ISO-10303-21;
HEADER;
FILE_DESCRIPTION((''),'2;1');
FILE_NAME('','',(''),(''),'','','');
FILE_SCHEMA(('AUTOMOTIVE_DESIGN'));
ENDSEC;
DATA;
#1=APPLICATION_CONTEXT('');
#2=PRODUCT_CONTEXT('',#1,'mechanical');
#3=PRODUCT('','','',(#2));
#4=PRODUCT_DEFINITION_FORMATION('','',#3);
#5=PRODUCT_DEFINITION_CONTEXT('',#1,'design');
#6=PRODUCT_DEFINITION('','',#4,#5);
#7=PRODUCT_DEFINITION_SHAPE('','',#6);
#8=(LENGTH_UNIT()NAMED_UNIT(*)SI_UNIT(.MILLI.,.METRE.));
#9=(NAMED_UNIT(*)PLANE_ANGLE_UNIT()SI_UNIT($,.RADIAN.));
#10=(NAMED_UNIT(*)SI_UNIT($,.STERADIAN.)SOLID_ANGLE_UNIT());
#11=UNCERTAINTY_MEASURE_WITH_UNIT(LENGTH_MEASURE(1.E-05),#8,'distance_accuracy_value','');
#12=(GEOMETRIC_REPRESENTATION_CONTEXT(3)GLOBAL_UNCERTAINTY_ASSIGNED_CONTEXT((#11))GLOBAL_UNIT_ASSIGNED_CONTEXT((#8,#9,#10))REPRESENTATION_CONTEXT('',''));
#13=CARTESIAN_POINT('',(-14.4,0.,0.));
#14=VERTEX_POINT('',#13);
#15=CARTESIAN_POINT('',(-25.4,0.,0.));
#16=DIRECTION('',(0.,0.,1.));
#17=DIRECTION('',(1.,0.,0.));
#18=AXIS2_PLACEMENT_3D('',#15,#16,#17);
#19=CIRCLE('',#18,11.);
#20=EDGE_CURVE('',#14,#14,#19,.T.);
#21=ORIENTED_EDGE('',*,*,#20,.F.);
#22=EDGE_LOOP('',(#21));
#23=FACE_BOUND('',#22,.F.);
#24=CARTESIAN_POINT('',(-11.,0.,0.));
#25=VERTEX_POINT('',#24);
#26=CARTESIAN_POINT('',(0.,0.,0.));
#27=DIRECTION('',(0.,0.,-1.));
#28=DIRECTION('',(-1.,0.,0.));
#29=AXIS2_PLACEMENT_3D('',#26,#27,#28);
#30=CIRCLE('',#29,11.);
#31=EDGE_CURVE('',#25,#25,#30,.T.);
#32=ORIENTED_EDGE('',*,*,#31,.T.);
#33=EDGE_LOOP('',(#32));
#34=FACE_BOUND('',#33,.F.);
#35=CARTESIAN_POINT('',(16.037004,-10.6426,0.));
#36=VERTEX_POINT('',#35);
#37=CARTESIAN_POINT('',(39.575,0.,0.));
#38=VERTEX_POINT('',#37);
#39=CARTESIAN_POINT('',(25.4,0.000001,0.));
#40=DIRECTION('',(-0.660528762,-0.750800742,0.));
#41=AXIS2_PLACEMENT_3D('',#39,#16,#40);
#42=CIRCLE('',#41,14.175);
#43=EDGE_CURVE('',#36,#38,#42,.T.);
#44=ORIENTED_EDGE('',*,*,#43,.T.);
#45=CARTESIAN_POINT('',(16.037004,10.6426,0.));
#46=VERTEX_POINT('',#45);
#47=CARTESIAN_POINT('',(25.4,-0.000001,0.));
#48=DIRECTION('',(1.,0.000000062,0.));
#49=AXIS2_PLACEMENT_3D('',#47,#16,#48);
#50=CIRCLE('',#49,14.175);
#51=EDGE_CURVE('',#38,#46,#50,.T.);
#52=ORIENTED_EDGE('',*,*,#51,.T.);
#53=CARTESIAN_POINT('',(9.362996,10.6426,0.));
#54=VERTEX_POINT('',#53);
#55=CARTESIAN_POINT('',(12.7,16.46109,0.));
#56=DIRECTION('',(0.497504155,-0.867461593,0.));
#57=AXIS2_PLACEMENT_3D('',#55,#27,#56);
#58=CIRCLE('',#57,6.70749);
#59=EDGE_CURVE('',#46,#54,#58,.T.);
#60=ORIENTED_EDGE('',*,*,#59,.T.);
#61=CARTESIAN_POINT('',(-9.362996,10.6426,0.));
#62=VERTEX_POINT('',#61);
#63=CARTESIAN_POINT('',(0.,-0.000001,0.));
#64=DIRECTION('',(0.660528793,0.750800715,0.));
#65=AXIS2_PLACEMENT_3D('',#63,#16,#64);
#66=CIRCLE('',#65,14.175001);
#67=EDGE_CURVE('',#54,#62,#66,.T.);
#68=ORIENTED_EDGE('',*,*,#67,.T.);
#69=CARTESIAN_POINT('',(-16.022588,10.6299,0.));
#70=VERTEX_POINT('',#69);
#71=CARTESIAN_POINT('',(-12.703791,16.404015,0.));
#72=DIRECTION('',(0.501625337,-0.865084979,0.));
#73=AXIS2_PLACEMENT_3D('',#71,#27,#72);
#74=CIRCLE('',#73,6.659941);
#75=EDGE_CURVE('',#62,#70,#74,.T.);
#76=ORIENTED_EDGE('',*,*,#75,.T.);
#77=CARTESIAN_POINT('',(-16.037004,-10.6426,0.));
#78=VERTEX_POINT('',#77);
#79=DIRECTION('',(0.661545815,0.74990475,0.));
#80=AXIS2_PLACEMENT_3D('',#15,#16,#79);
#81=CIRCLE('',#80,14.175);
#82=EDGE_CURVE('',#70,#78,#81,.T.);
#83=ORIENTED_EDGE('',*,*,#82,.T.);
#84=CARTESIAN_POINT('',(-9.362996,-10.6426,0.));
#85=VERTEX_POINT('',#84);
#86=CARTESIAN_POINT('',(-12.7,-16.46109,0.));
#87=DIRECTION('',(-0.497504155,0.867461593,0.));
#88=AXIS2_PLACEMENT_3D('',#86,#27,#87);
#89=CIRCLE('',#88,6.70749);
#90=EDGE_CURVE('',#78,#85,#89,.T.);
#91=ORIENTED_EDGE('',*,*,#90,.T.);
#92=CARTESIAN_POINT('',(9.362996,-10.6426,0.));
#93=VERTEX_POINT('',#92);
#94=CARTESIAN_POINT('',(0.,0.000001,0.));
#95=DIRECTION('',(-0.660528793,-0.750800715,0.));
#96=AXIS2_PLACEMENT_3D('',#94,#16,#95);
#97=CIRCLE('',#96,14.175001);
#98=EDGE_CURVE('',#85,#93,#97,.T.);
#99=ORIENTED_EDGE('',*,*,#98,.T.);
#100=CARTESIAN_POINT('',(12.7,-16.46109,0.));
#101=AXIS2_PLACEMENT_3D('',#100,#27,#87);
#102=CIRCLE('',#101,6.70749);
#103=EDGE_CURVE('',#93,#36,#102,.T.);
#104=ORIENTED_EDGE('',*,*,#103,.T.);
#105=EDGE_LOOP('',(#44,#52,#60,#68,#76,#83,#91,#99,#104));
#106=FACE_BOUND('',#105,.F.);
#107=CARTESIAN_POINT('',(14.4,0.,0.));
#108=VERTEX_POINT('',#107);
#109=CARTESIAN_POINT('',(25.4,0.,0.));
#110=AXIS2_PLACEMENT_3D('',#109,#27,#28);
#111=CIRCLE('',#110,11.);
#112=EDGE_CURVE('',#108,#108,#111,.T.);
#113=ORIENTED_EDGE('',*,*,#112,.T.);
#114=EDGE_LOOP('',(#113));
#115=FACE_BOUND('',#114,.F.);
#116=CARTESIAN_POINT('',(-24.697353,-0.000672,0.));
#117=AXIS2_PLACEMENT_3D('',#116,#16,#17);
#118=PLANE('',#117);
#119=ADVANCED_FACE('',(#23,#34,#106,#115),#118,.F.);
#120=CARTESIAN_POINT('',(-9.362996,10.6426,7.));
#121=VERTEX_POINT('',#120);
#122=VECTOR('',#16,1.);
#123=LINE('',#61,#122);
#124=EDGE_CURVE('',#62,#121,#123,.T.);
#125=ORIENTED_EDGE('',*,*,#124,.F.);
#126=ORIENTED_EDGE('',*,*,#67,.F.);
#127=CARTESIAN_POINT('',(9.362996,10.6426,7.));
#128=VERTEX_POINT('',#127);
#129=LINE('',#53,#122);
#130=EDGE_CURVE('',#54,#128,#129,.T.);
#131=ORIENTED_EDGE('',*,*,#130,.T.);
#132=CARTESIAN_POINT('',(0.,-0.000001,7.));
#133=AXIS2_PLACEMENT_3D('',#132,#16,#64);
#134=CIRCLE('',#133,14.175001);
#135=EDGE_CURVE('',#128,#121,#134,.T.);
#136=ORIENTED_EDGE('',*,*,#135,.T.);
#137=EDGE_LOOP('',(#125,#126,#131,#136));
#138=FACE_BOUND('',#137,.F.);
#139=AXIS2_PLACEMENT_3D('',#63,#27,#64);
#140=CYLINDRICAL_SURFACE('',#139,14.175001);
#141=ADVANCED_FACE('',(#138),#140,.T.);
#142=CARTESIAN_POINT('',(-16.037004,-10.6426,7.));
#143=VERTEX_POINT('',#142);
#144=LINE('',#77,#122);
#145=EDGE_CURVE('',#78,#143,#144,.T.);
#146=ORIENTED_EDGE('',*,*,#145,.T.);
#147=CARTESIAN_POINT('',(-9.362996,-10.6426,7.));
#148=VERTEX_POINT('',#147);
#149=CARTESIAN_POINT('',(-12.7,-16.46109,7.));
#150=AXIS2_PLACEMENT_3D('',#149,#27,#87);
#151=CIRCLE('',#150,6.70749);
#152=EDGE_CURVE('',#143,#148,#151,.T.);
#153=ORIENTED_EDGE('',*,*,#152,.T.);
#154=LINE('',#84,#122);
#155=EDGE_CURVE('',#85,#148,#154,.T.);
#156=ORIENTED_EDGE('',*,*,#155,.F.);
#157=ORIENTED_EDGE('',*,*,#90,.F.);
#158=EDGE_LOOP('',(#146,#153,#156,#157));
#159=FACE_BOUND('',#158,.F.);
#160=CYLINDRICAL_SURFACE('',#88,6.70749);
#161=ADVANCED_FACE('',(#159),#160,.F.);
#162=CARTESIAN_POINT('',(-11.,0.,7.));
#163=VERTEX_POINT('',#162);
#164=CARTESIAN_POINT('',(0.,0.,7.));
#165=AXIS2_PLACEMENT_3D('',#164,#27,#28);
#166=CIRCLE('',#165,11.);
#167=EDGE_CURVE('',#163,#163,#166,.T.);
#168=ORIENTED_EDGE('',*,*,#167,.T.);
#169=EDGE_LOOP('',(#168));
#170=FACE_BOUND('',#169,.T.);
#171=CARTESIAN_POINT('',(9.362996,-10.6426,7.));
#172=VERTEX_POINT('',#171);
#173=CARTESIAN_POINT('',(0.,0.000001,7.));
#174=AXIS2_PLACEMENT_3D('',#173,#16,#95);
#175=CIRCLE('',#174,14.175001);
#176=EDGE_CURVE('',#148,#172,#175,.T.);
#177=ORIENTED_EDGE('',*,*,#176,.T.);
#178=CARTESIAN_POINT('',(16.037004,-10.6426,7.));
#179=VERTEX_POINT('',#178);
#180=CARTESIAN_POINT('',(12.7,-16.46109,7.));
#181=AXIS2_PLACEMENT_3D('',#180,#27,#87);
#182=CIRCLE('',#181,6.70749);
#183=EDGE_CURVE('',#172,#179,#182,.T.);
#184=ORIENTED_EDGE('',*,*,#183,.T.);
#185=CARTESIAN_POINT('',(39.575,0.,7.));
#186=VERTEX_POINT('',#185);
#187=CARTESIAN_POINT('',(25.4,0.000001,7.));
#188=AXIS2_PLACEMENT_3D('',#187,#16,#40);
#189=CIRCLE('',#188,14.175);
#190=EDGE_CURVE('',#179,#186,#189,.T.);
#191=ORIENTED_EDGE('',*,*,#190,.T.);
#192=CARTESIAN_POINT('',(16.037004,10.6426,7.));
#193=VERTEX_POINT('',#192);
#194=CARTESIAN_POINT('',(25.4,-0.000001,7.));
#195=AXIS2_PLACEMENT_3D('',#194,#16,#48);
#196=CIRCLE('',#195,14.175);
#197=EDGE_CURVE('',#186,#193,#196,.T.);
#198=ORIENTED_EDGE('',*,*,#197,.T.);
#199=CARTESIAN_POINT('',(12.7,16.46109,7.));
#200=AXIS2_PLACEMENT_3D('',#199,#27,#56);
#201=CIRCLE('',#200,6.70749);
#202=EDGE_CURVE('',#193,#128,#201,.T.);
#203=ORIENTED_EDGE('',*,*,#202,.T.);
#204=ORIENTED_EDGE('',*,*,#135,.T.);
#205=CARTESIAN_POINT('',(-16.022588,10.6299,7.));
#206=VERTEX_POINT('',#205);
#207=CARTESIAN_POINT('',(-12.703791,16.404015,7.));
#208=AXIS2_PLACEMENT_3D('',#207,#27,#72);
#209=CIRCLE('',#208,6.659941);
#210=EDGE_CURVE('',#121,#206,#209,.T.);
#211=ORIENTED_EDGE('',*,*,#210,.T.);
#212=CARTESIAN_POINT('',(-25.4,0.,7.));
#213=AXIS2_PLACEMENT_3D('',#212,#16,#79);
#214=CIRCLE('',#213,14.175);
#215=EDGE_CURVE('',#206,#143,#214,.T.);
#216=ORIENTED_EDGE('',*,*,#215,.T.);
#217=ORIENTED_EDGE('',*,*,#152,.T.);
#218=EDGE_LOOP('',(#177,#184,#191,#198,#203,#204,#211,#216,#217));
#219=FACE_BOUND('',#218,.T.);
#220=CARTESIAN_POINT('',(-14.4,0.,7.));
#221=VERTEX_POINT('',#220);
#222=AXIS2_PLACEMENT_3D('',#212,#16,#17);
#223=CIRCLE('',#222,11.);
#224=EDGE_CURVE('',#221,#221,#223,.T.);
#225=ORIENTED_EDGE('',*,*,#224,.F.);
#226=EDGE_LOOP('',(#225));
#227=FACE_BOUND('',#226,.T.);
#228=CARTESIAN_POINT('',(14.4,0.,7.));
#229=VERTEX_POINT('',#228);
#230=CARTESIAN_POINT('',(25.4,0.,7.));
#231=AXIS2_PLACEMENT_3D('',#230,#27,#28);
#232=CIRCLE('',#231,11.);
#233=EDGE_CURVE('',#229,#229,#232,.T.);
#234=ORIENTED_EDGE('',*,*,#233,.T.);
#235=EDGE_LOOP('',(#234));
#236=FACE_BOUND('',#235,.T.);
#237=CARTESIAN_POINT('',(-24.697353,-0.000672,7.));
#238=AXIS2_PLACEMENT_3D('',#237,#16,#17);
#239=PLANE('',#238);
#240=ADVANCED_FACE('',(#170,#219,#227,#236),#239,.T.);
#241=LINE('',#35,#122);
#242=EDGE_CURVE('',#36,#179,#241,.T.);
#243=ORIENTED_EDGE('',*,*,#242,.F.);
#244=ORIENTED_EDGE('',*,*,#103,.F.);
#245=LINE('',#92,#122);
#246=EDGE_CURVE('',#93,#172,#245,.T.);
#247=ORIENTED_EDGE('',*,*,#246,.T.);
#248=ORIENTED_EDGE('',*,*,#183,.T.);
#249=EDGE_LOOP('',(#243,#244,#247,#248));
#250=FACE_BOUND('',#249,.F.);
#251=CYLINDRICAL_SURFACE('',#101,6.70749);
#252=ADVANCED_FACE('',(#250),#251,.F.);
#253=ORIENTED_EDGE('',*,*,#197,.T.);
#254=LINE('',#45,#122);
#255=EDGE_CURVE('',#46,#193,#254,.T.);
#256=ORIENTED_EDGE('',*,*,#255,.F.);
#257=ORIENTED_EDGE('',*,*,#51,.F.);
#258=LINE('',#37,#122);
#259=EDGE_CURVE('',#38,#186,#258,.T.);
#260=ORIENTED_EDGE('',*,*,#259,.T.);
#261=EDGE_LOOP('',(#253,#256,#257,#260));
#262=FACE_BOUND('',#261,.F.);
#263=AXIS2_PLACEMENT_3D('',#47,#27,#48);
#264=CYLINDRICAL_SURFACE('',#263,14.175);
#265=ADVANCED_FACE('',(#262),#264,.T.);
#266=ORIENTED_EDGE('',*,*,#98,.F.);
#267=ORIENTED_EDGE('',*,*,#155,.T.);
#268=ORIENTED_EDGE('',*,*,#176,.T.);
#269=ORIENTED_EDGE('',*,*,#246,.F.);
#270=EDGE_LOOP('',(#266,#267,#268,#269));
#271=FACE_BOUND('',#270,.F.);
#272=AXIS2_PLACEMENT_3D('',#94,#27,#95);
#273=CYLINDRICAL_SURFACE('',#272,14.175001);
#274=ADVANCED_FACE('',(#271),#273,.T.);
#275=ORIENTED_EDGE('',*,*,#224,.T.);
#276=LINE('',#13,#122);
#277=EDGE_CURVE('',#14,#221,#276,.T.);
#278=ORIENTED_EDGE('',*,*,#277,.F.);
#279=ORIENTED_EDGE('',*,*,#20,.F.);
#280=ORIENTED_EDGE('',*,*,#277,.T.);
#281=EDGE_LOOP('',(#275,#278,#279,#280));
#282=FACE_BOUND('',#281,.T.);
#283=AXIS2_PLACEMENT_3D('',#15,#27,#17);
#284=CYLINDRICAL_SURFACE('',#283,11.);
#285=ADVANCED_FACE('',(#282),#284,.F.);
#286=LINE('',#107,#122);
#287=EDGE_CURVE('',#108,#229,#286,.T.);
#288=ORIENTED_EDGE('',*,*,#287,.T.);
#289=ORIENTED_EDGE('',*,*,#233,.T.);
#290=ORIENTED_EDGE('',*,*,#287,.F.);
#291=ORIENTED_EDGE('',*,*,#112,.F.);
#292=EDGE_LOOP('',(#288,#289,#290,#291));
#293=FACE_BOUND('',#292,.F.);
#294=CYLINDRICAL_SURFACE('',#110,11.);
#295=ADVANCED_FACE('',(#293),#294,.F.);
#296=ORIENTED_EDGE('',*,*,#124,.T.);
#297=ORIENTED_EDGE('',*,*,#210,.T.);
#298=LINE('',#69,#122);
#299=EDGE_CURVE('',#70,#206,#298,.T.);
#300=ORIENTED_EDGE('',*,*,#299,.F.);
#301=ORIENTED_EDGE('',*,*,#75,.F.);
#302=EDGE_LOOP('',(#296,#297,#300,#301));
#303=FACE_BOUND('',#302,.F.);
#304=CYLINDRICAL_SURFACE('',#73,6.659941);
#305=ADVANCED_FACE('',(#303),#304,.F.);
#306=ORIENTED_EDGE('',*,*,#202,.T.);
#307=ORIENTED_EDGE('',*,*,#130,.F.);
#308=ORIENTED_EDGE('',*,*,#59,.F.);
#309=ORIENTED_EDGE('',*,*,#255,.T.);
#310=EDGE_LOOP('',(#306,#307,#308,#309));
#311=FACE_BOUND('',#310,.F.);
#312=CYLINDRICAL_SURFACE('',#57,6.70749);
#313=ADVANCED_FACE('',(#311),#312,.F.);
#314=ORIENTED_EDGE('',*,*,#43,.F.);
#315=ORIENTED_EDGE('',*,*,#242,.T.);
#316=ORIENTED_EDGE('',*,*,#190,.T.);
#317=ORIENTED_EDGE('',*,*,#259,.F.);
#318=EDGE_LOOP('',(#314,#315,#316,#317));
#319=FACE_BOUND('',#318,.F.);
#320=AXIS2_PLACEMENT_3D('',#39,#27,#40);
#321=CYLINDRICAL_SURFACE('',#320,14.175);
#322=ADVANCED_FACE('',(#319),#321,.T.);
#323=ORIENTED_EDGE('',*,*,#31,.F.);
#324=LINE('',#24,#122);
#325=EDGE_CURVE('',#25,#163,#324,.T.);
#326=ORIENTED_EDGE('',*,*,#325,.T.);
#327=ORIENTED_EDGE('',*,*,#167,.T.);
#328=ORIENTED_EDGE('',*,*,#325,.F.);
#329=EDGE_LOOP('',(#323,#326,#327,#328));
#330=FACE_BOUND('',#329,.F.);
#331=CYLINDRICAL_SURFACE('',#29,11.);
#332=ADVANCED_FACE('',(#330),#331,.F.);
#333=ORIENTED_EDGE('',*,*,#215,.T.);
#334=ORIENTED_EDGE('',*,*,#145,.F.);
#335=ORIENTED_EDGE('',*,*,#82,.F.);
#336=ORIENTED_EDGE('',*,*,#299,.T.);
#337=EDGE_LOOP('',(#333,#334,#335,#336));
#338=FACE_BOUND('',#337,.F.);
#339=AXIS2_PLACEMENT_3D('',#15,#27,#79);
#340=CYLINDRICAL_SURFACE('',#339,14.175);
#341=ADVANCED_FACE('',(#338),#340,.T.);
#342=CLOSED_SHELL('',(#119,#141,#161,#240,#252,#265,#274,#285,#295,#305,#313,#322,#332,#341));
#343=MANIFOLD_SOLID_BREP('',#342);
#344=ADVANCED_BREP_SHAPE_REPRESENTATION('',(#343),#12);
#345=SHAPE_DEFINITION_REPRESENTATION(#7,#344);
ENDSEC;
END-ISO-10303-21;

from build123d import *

# Parameters (mm, degrees)
F0_R     = 11
F1_DEPTH = 7


with BuildPart() as f1:
    # F0 (on Top) → F1 (new body)
    with BuildSketch(Plane.XY):
        with BuildLine():
            ThreePointArc((-12.7, -6.29608), (-13.801325, -3.233274), (-14.175, 0))
            ThreePointArc((-14.175, 0), (-13.801325, 3.233274), (-12.7, 6.29608))
            ThreePointArc((-12.7, 6.29608), (-14.150621, 8.624506), (-16.022588, 10.6299))
            ThreePointArc((-16.022588, 10.6299), (-39.574997, 0.009606), (-16.037004, -10.6426))
            ThreePointArc((-16.037004, -10.6426), (-14.156468, -8.632127), (-12.7, -6.29608))
        make_face()
        with Locations((-25.4, 0)):
            Circle(F0_R, mode=Mode.SUBTRACT)
        with BuildLine():
            Line((11.225, 0), (11, 0))
            ThreePointArc((11, 0), (0, -11), (-11, 0))
            Line((-11, 0), (-11.225, 0))
            ThreePointArc((-11.225, 0), (-11.598675, -3.233274), (-12.7, -6.29608))
            ThreePointArc((-12.7, -6.29608), (-11.243532, -8.632127), (-9.362996, -10.6426))
            ThreePointArc((-9.362996, -10.6426), (0, -14.175), (9.362996, -10.6426))
            ThreePointArc((9.362996, -10.6426), (11.243532, -8.632127), (12.7, -6.29608))
            ThreePointArc((12.7, -6.29608), (11.598675, -3.233274), (11.225, 0))
        make_face()
        with BuildLine():
            ThreePointArc((-16.022588, 10.6299), (-14.150621, 8.624506), (-12.7, 6.29608))
            ThreePointArc((-12.7, 6.29608), (-11.243532, 8.632127), (-9.362996, 10.6426))
            ThreePointArc((-9.362996, 10.6426), (-12.691091, 9.744086), (-16.022588, 10.6299))
        make_face()
        with BuildLine():
            ThreePointArc((-12.7, -6.29608), (-11.598675, -3.233274), (-11.225, 0))
            Line((-11.225, 0), (-14.175, 0))
            ThreePointArc((-14.175, 0), (-13.801325, -3.233274), (-12.7, -6.29608))
        make_face()
        with BuildLine():
            Line((-14.175, 0), (-11.225, 0))
            ThreePointArc((-11.225, 0), (-11.598675, 3.233274), (-12.7, 6.29608))
            ThreePointArc((-12.7, 6.29608), (-13.801325, 3.233274), (-14.175, 0))
        make_face()
        with BuildLine():
            ThreePointArc((-11, 0), (0, 11), (11, 0))
            Line((11, 0), (11.225, 0))
            ThreePointArc((11.225, 0), (11.598675, 3.233274), (12.7, 6.29608))
            ThreePointArc((12.7, 6.29608), (11.243532, 8.632127), (9.362996, 10.6426))
            ThreePointArc((9.362996, 10.6426), (0, 14.175), (-9.362996, 10.6426))
            ThreePointArc((-9.362996, 10.6426), (-11.243532, 8.632127), (-12.7, 6.29608))
            ThreePointArc((-12.7, 6.29608), (-11.598675, 3.233274), (-11.225, 0))
            Line((-11.225, 0), (-11, 0))
        make_face()
        with BuildLine():
            ThreePointArc((-9.362996, -10.6426), (-11.243532, -8.632127), (-12.7, -6.29608))
            ThreePointArc((-12.7, -6.29608), (-14.156468, -8.632127), (-16.037004, -10.6426))
            ThreePointArc((-16.037004, -10.6426), (-12.7, -9.7536), (-9.362996, -10.6426))
        make_face()
        with BuildLine():
            ThreePointArc((16.037004, -10.6426), (14.156468, -8.632127), (12.7, -6.29608))
            ThreePointArc((12.7, -6.29608), (11.243532, -8.632127), (9.362996, -10.6426))
            ThreePointArc((9.362996, -10.6426), (12.7, -9.7536), (16.037004, -10.6426))
        make_face()
        with BuildLine():
            ThreePointArc((12.7, 6.29608), (13.801325, 3.233274), (14.175, 0))
            ThreePointArc((14.175, 0), (13.801325, -3.233274), (12.7, -6.29608))
            ThreePointArc((12.7, -6.29608), (14.156468, -8.632127), (16.037004, -10.6426))
            ThreePointArc((16.037004, -10.6426), (31.239955, -12.916096), (39.575, 0))
            ThreePointArc((39.575, 0), (31.239955, 12.916096), (16.037004, 10.6426))
            ThreePointArc((16.037004, 10.6426), (14.156468, 8.632127), (12.7, 6.29608))
        make_face()
        with BuildLine():
            ThreePointArc((36.4, 0), (25.4, -11), (14.4, 0))
            ThreePointArc((14.4, 0), (25.4, 11), (36.4, 0))
        make_face(mode=Mode.SUBTRACT)
        with BuildLine():
            ThreePointArc((12.7, 6.29608), (11.598675, 3.233274), (11.225, 0))
            Line((11.225, 0), (14.175, 0))
            ThreePointArc((14.175, 0), (13.801325, 3.233274), (12.7, 6.29608))
        make_face()
        with BuildLine():
            Line((14.175, 0), (11.225, 0))
            ThreePointArc((11.225, 0), (11.598675, -3.233274), (12.7, -6.29608))
            ThreePointArc((12.7, -6.29608), (13.801325, -3.233274), (14.175, 0))
        make_face()
        with BuildLine():
            ThreePointArc((9.362996, 10.6426), (11.243532, 8.632127), (12.7, 6.29608))
            ThreePointArc((12.7, 6.29608), (14.156468, 8.632127), (16.037004, 10.6426))
            ThreePointArc((16.037004, 10.6426), (12.7, 9.7536), (9.362996, 10.6426))
        make_face()
    extrude(amount=F1_DEPTH)


solid = f1.part
